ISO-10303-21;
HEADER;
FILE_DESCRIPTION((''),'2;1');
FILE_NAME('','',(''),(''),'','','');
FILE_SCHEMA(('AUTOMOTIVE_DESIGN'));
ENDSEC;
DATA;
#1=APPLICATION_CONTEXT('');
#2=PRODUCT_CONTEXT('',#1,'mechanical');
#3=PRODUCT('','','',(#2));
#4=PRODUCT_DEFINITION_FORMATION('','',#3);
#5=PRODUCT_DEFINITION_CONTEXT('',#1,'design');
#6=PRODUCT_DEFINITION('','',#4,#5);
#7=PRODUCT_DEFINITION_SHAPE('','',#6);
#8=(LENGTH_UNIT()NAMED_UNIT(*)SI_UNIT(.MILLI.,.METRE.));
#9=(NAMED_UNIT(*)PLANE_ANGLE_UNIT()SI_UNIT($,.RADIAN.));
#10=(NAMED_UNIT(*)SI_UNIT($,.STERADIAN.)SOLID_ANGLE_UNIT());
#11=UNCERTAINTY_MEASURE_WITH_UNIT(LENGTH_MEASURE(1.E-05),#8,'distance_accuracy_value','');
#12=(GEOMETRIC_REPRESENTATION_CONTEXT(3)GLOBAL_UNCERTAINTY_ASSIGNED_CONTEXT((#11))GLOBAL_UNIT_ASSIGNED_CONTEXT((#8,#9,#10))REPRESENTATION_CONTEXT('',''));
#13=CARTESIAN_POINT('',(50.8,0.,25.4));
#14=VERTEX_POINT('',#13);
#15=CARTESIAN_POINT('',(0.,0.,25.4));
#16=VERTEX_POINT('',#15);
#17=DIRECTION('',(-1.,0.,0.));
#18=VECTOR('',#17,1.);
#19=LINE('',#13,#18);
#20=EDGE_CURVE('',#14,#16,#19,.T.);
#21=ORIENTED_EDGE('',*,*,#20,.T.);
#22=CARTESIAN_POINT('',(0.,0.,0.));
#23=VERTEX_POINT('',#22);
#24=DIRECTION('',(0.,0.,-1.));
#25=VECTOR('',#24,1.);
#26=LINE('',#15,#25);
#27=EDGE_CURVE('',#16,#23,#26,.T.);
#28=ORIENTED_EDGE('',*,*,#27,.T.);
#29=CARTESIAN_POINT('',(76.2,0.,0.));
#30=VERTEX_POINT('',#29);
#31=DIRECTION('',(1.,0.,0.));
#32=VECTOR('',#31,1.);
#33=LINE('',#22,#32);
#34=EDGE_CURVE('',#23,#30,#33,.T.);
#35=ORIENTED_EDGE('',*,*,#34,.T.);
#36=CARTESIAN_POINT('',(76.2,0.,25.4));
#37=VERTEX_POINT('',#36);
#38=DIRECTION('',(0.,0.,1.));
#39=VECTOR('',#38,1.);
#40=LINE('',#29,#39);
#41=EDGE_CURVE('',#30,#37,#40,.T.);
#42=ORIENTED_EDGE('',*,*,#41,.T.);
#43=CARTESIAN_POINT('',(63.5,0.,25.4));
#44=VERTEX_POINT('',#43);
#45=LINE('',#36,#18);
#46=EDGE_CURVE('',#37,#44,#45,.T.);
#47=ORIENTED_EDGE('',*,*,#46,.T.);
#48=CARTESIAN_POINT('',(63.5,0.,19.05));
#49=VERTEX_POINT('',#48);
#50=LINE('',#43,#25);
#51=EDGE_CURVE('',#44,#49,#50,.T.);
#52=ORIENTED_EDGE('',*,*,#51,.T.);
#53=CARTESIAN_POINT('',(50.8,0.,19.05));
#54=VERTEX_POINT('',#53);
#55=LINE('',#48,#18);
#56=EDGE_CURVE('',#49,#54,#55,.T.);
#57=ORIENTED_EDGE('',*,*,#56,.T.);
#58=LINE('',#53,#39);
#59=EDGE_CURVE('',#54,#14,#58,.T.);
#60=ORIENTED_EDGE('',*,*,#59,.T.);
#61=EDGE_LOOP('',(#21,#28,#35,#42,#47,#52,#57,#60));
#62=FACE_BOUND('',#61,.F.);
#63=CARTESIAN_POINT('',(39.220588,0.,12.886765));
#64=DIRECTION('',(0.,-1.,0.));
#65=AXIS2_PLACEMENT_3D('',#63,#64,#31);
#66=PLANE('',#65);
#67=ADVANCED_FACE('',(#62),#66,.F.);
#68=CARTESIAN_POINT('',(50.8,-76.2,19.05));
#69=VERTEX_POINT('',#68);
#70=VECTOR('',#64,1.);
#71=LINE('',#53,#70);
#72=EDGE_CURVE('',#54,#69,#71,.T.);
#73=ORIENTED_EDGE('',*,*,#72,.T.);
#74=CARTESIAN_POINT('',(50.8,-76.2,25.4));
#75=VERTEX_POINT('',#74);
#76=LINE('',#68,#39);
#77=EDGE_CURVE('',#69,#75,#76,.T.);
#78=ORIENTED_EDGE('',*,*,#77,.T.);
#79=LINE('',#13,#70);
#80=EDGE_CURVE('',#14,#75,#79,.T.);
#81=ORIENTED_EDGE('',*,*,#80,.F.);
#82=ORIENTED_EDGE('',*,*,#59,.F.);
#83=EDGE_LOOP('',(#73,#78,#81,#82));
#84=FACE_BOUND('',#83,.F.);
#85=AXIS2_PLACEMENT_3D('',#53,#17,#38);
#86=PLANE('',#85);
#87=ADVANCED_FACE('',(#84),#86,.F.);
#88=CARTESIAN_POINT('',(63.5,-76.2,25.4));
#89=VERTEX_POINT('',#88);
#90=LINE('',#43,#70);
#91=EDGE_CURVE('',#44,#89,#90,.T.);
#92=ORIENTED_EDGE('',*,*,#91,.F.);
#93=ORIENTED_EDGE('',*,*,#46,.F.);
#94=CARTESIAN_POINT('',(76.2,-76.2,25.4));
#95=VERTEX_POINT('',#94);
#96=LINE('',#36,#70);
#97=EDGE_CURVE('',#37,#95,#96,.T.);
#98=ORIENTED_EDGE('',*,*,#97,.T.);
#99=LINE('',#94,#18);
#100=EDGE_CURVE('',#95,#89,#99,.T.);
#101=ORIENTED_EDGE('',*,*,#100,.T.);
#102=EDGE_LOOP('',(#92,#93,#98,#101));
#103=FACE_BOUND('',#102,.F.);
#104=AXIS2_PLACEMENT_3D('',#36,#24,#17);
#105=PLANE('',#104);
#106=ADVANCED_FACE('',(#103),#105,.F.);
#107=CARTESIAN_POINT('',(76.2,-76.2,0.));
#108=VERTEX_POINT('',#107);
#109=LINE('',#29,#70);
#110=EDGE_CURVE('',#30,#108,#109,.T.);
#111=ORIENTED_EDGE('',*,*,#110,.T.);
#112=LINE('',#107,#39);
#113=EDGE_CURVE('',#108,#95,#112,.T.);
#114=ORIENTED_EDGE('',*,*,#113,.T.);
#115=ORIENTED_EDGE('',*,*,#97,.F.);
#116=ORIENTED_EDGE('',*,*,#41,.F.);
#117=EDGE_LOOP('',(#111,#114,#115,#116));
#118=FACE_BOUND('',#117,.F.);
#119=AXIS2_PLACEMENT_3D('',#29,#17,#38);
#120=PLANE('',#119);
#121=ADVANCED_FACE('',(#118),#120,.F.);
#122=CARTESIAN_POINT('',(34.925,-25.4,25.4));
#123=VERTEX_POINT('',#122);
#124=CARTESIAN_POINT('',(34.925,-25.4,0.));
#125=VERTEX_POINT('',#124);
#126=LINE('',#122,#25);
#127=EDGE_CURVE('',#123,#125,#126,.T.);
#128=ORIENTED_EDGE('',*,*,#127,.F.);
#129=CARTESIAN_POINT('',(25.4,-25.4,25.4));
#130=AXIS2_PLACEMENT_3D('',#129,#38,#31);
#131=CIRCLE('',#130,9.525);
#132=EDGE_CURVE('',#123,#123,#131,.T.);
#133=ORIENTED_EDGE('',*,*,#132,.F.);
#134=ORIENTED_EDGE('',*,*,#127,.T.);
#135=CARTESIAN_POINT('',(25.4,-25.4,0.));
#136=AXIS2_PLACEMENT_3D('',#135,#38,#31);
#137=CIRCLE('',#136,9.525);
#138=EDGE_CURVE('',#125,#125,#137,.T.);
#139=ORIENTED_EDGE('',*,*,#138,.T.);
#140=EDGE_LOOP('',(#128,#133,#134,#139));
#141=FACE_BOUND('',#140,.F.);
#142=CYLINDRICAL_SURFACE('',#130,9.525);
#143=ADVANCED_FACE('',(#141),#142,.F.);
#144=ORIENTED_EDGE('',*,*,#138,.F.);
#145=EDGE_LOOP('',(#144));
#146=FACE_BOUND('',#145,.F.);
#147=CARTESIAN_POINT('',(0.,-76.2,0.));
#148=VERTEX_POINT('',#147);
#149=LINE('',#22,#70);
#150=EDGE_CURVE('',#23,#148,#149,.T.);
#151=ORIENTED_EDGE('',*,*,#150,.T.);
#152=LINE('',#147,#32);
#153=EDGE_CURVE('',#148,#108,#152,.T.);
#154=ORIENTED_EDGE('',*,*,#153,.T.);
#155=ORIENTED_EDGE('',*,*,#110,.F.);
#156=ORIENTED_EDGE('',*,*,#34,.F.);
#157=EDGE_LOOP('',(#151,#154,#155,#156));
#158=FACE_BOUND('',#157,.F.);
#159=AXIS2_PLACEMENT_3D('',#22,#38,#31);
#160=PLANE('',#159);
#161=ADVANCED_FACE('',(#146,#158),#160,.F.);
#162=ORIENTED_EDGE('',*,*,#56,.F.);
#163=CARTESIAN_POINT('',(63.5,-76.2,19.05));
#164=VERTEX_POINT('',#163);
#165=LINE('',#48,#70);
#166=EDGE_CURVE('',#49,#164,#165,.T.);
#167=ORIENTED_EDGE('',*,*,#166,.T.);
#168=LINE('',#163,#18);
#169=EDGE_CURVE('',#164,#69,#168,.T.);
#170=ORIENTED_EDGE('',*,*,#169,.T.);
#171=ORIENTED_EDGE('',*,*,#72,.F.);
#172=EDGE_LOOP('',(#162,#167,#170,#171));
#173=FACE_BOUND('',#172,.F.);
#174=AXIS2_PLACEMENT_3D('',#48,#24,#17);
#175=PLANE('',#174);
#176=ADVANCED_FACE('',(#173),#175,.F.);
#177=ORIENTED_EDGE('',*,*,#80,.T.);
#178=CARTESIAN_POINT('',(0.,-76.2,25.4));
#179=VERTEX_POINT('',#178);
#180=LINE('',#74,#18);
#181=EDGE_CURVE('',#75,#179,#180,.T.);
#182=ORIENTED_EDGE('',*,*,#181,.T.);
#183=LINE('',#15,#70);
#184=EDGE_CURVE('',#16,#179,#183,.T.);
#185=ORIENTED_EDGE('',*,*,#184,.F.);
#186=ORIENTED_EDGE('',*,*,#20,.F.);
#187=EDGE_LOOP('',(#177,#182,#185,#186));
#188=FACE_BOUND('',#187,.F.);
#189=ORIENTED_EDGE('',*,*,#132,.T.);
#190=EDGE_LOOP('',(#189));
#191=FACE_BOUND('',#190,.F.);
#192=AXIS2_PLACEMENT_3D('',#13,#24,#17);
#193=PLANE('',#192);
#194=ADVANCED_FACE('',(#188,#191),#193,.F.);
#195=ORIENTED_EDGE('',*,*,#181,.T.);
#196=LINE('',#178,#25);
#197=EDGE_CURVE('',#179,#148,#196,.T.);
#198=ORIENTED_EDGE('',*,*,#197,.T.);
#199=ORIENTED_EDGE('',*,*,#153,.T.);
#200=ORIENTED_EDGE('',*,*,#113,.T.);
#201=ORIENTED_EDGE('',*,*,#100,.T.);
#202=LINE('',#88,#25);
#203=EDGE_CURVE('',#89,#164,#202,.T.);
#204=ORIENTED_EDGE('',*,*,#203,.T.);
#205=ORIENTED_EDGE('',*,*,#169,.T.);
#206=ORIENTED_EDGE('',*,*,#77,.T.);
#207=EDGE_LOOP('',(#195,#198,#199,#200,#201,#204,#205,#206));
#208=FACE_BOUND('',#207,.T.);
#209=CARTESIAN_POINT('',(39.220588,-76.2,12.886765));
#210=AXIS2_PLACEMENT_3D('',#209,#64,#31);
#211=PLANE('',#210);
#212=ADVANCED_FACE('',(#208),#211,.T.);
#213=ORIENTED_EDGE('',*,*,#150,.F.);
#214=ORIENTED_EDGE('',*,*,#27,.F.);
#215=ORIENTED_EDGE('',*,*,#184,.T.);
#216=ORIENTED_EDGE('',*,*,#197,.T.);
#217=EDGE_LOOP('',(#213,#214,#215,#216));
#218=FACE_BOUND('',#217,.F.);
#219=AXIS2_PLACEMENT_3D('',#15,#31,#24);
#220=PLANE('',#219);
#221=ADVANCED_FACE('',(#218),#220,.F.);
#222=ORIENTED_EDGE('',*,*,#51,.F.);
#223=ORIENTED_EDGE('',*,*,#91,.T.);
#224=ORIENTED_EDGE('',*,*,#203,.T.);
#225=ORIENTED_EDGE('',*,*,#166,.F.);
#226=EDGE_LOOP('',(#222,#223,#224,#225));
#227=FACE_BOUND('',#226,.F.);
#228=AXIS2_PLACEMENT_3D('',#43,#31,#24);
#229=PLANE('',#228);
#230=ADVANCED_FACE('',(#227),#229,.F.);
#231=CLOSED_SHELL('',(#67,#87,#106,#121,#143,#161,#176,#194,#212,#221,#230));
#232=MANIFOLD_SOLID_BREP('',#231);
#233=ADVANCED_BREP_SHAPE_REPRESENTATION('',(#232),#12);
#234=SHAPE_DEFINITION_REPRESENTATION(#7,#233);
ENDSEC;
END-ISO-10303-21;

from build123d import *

# Parameters (mm, degrees)
F1_DEPTH = 76.2
F2_R     = 9.525
F3_DEPTH = 25.401


with BuildPart() as f1:
    # F0 (on Front) → F1 (new body)
    with BuildSketch(Plane.XZ):
        Polygon((50.8, 25.4), (0, 25.4), (0, 0), (76.2, 0), (76.2, 25.4), (63.5, 25.4), (63.5, 19.05), (50.8, 19.05), align=None)
    extrude(amount=F1_DEPTH)

    # F2 (on face) → F3 (cut, through all)
    with BuildSketch(Plane.XY.offset(25.4)):
        with Locations((25.4, -25.4)):
            Circle(F2_R)
    extrude(amount=-F3_DEPTH, mode=Mode.SUBTRACT)


solid = f1.part
